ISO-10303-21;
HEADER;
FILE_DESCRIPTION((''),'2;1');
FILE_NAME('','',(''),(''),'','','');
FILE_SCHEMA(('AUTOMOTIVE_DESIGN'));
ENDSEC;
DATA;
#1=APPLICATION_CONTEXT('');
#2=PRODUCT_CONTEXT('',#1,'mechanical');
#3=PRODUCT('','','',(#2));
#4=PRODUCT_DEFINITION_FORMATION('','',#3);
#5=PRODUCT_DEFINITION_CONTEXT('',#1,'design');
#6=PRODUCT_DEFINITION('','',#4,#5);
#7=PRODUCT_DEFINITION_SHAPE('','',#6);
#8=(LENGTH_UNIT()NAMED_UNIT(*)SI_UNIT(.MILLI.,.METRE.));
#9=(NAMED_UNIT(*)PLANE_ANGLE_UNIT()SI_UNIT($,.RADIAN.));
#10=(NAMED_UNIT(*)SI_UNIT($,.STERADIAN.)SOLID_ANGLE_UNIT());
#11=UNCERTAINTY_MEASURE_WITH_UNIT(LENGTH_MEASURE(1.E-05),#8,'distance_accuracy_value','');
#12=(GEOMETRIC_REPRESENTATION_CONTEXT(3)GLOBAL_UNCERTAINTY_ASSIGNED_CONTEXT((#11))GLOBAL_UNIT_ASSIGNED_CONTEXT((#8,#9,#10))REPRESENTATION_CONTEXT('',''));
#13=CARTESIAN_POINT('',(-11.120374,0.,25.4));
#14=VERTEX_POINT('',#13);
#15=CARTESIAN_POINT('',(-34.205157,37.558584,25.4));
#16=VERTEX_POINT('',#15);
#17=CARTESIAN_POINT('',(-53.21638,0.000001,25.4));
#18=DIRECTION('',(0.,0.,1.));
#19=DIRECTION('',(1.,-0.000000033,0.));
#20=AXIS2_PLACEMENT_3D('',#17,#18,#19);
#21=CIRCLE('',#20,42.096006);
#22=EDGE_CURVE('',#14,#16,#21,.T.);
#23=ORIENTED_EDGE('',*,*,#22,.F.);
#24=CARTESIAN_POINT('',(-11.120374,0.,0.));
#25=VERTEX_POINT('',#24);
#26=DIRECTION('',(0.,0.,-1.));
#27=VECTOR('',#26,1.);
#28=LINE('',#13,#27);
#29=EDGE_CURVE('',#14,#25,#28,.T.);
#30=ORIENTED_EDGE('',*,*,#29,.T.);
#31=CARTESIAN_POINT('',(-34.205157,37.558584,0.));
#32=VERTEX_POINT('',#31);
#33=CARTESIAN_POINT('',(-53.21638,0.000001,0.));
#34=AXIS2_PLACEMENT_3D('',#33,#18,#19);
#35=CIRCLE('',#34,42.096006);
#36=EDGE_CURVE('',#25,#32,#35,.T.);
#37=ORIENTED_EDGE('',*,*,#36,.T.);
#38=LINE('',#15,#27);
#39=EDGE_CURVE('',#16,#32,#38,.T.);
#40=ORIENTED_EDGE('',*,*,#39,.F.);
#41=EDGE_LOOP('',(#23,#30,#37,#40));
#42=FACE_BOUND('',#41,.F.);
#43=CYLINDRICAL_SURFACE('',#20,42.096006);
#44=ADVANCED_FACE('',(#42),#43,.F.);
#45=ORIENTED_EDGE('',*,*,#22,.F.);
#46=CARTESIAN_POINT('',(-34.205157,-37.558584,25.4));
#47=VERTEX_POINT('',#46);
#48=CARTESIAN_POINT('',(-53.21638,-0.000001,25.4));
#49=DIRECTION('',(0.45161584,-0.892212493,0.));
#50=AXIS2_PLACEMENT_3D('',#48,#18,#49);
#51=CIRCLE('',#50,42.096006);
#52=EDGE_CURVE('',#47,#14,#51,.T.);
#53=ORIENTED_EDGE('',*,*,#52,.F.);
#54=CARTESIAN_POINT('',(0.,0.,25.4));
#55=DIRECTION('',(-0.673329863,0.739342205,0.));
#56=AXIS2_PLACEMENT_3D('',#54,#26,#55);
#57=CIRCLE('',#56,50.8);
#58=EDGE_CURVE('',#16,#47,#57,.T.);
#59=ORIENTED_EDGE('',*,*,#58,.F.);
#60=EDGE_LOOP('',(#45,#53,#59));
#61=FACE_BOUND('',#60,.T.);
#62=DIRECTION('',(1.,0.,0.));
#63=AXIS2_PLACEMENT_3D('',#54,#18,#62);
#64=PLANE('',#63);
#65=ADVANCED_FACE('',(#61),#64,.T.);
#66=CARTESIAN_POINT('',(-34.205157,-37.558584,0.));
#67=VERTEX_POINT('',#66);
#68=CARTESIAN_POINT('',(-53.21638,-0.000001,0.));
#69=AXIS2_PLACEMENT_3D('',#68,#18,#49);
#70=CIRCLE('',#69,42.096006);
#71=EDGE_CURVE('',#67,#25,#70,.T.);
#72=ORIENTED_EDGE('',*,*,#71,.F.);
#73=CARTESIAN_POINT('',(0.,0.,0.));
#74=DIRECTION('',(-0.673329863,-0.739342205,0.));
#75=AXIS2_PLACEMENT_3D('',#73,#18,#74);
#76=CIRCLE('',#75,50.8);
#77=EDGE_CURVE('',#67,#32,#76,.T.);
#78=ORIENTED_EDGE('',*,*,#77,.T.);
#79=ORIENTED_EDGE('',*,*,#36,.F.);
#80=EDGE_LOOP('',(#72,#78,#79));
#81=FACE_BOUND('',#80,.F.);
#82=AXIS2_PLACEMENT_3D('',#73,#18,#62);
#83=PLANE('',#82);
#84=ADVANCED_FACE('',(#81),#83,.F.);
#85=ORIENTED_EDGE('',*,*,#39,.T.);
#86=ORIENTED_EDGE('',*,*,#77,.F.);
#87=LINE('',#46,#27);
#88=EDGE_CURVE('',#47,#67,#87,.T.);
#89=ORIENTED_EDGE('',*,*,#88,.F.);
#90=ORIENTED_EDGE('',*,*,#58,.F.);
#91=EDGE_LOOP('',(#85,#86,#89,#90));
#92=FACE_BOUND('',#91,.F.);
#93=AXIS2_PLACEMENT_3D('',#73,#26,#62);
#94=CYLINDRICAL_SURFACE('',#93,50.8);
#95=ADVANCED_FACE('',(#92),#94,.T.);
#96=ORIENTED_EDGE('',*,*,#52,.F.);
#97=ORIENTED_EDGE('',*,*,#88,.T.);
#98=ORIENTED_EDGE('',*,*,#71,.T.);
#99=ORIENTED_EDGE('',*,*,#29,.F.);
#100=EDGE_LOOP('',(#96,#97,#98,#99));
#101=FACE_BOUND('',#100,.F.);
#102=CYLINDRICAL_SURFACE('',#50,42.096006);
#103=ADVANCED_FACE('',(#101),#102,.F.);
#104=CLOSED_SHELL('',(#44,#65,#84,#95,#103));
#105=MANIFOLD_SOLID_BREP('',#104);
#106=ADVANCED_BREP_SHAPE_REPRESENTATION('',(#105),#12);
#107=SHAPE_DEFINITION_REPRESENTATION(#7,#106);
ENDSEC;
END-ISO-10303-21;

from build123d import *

# Parameters (mm, degrees)
F0_R     = 50.8
F1_DEPTH = 25.4
F3_DEPTH = 25.4


with BuildPart() as f1:
    # F0 (on Top) → F1 (new body)
    with BuildSketch(Plane.XY):
        Circle(F0_R)
    extrude(amount=F1_DEPTH)

    # F2 (on face) → F3 (cut)
    with BuildSketch(Plane.XY.offset(25.4)):
        with BuildLine():
            ThreePointArc((-34.205157, -37.558584), (-50.8, 0), (-34.205157, 37.558584))
            ThreePointArc((-34.205157, 37.558584), (-95.312392, 0), (-34.205157, -37.558584))
        make_face()
        with BuildLine():
            ThreePointArc((-34.205157, -37.558584), (-17.352956, -22.042881), (-11.120374, 0))
            ThreePointArc((-11.120374, 0), (-17.352956, 22.042881), (-34.205157, 37.558584))
            ThreePointArc((-34.205157, 37.558584), (-50.8, 0), (-34.205157, -37.558584))
        make_face()
    extrude(amount=-F3_DEPTH, mode=Mode.SUBTRACT)


solid = f1.part
